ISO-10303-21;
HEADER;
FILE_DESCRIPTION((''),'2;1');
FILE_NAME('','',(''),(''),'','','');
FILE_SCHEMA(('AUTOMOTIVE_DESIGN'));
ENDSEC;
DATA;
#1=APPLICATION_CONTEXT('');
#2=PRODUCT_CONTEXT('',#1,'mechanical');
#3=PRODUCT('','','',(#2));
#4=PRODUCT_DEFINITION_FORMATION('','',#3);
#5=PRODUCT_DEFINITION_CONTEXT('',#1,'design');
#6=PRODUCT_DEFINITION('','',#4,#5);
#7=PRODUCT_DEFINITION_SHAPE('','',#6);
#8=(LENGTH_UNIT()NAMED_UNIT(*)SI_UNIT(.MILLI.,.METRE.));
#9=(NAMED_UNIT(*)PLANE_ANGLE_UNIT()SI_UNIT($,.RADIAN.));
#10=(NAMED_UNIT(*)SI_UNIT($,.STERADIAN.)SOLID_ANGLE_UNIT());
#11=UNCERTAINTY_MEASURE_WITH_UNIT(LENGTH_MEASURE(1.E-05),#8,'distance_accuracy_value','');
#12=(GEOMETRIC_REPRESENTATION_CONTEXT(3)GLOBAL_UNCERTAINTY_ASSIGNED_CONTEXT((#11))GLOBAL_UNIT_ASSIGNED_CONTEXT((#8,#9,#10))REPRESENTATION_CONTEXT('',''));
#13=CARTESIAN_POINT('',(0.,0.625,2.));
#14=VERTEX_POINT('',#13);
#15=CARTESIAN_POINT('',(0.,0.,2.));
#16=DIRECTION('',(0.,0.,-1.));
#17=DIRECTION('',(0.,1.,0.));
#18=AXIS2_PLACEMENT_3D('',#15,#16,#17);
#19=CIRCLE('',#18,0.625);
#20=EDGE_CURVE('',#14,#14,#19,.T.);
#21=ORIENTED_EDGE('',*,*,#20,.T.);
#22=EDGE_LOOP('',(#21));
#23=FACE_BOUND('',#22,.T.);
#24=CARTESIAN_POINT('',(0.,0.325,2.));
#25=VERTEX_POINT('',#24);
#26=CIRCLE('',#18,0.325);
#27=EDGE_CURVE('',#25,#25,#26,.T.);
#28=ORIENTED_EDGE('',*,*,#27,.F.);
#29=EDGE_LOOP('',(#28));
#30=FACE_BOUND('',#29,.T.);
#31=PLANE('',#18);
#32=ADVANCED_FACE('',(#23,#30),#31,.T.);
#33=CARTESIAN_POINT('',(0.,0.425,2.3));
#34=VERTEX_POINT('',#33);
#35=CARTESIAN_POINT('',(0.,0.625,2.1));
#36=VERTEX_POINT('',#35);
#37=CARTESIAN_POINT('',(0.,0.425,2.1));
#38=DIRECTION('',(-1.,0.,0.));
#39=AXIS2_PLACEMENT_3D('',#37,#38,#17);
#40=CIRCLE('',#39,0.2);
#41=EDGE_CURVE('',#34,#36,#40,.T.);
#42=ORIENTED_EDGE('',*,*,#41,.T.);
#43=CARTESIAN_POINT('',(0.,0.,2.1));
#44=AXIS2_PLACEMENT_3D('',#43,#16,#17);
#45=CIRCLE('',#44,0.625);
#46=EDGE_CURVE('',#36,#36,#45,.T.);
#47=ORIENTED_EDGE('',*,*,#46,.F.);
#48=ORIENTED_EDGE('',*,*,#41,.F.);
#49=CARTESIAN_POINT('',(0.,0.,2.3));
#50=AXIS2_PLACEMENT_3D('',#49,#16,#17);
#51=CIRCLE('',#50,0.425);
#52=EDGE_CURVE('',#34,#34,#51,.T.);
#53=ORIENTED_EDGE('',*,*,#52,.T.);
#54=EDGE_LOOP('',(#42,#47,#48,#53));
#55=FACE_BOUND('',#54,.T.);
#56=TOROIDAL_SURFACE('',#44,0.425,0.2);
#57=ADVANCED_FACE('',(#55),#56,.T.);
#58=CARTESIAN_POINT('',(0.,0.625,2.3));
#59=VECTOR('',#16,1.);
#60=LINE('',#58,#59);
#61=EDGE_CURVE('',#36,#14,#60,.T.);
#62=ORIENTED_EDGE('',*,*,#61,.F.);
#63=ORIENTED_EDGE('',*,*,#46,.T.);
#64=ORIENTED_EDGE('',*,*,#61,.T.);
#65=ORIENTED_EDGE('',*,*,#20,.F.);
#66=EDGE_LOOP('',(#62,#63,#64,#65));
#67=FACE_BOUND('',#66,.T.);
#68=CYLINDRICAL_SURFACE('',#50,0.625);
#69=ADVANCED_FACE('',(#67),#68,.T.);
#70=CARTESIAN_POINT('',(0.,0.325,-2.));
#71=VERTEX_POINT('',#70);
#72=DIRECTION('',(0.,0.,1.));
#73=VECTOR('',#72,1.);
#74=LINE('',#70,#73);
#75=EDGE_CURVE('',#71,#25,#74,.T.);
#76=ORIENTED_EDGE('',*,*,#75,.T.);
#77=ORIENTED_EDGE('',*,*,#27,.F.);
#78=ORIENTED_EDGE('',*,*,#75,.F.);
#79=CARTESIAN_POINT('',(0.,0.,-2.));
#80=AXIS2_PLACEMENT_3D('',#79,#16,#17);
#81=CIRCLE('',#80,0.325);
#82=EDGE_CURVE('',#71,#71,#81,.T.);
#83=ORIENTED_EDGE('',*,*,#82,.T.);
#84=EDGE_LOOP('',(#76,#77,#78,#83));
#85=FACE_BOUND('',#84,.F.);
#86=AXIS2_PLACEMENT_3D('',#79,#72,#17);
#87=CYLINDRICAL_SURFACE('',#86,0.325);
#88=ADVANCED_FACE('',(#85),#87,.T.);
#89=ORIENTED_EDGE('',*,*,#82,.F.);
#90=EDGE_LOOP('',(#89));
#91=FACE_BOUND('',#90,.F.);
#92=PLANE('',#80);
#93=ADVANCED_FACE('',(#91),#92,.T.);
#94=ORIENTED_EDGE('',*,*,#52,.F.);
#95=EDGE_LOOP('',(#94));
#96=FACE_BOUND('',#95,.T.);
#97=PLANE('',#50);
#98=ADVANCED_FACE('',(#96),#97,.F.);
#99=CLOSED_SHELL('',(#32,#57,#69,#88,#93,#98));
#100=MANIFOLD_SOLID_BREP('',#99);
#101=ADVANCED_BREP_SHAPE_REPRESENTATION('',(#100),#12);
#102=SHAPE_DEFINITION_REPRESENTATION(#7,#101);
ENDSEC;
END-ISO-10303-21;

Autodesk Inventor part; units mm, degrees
ref_plane "YZ Plane" through (0, 0, 0) normal (1, 0, 0) x (0, 1, 0)
ref_plane "XZ Plane" through (0, 0, 0) normal (0, 1, 0) x (-1, 0, 0)
ref_plane "XY Plane" through (0, 0, 0) normal (0, 0, 1) x (1, 0, 0)
sketch "Sketch2" plane through (0, 0, 0) normal (1, 0, 0) x (0, 1, 0)
  line L0 (0, 3.16) -> (0, -2.86) projected
  line L1 (-0.875, 0) -> (0.875, 0) projected
  line L2 (0.325, 2) -> (-0.325, 2)
  line L3 (-0.325, 2) -> (-0.325, -2)
  line L4 (-0.325, -2) -> (0.325, -2)
  line L5 (0.325, -2) -> (0.325, 2)
  line L6 (0.325, 2) -> (-0.325, -2) construction
  line L7 (-0.325, 2) -> (0.325, -2) construction
  line L8 (0.625, 2) -> (-0.625, 2)
  line L9 (-0.625, 2) -> (-0.625, 2.3)
  line L10 (-0.625, 2.3) -> (0.625, 2.3)
  line L11 (0.625, 2.3) -> (0.625, 2)
  point P0 (0, 0)
  point P1 (0, 2)
  point P2 (0, 2.3)
  point P3 (0, -2)
  dimension "d0" = 0.65
  dimension "d1" = 4
  dimension "d2" = 1.25
  dimension "d3" = 0.3
revolve "Revolution1" add sketch "Sketch2" angle 360 about axis through (0, 0, 0) along (0, 0, -1) contours L10 L11 L8 L2 L0 | L2 L5 L1 L0 | L1 L5 L4 L0
fillet "Fillet1" radius 0.2 1 edges at (0, -0.625, 2.3)
equation "\"BendRadius\" = Thickness"
equation "\"BendReliefWidth\" = Thickness"
equation "\"BendReliefDepth\" = 0.5 * Thickness"
equation "\"CornerReliefSize\" = 4 * Thickness"
equation "\"MinimumRemnant\" = 2 * Thickness"
equation "\"TransitionRadius\" = BendRadius"
equation "\"JacobiRadiusSize\" = BendRadius"
equation "\"GapSize\" = Thickness"
equation "\"Thickness\" = 3.048"
properties part number "m0.6screw_4mm"
